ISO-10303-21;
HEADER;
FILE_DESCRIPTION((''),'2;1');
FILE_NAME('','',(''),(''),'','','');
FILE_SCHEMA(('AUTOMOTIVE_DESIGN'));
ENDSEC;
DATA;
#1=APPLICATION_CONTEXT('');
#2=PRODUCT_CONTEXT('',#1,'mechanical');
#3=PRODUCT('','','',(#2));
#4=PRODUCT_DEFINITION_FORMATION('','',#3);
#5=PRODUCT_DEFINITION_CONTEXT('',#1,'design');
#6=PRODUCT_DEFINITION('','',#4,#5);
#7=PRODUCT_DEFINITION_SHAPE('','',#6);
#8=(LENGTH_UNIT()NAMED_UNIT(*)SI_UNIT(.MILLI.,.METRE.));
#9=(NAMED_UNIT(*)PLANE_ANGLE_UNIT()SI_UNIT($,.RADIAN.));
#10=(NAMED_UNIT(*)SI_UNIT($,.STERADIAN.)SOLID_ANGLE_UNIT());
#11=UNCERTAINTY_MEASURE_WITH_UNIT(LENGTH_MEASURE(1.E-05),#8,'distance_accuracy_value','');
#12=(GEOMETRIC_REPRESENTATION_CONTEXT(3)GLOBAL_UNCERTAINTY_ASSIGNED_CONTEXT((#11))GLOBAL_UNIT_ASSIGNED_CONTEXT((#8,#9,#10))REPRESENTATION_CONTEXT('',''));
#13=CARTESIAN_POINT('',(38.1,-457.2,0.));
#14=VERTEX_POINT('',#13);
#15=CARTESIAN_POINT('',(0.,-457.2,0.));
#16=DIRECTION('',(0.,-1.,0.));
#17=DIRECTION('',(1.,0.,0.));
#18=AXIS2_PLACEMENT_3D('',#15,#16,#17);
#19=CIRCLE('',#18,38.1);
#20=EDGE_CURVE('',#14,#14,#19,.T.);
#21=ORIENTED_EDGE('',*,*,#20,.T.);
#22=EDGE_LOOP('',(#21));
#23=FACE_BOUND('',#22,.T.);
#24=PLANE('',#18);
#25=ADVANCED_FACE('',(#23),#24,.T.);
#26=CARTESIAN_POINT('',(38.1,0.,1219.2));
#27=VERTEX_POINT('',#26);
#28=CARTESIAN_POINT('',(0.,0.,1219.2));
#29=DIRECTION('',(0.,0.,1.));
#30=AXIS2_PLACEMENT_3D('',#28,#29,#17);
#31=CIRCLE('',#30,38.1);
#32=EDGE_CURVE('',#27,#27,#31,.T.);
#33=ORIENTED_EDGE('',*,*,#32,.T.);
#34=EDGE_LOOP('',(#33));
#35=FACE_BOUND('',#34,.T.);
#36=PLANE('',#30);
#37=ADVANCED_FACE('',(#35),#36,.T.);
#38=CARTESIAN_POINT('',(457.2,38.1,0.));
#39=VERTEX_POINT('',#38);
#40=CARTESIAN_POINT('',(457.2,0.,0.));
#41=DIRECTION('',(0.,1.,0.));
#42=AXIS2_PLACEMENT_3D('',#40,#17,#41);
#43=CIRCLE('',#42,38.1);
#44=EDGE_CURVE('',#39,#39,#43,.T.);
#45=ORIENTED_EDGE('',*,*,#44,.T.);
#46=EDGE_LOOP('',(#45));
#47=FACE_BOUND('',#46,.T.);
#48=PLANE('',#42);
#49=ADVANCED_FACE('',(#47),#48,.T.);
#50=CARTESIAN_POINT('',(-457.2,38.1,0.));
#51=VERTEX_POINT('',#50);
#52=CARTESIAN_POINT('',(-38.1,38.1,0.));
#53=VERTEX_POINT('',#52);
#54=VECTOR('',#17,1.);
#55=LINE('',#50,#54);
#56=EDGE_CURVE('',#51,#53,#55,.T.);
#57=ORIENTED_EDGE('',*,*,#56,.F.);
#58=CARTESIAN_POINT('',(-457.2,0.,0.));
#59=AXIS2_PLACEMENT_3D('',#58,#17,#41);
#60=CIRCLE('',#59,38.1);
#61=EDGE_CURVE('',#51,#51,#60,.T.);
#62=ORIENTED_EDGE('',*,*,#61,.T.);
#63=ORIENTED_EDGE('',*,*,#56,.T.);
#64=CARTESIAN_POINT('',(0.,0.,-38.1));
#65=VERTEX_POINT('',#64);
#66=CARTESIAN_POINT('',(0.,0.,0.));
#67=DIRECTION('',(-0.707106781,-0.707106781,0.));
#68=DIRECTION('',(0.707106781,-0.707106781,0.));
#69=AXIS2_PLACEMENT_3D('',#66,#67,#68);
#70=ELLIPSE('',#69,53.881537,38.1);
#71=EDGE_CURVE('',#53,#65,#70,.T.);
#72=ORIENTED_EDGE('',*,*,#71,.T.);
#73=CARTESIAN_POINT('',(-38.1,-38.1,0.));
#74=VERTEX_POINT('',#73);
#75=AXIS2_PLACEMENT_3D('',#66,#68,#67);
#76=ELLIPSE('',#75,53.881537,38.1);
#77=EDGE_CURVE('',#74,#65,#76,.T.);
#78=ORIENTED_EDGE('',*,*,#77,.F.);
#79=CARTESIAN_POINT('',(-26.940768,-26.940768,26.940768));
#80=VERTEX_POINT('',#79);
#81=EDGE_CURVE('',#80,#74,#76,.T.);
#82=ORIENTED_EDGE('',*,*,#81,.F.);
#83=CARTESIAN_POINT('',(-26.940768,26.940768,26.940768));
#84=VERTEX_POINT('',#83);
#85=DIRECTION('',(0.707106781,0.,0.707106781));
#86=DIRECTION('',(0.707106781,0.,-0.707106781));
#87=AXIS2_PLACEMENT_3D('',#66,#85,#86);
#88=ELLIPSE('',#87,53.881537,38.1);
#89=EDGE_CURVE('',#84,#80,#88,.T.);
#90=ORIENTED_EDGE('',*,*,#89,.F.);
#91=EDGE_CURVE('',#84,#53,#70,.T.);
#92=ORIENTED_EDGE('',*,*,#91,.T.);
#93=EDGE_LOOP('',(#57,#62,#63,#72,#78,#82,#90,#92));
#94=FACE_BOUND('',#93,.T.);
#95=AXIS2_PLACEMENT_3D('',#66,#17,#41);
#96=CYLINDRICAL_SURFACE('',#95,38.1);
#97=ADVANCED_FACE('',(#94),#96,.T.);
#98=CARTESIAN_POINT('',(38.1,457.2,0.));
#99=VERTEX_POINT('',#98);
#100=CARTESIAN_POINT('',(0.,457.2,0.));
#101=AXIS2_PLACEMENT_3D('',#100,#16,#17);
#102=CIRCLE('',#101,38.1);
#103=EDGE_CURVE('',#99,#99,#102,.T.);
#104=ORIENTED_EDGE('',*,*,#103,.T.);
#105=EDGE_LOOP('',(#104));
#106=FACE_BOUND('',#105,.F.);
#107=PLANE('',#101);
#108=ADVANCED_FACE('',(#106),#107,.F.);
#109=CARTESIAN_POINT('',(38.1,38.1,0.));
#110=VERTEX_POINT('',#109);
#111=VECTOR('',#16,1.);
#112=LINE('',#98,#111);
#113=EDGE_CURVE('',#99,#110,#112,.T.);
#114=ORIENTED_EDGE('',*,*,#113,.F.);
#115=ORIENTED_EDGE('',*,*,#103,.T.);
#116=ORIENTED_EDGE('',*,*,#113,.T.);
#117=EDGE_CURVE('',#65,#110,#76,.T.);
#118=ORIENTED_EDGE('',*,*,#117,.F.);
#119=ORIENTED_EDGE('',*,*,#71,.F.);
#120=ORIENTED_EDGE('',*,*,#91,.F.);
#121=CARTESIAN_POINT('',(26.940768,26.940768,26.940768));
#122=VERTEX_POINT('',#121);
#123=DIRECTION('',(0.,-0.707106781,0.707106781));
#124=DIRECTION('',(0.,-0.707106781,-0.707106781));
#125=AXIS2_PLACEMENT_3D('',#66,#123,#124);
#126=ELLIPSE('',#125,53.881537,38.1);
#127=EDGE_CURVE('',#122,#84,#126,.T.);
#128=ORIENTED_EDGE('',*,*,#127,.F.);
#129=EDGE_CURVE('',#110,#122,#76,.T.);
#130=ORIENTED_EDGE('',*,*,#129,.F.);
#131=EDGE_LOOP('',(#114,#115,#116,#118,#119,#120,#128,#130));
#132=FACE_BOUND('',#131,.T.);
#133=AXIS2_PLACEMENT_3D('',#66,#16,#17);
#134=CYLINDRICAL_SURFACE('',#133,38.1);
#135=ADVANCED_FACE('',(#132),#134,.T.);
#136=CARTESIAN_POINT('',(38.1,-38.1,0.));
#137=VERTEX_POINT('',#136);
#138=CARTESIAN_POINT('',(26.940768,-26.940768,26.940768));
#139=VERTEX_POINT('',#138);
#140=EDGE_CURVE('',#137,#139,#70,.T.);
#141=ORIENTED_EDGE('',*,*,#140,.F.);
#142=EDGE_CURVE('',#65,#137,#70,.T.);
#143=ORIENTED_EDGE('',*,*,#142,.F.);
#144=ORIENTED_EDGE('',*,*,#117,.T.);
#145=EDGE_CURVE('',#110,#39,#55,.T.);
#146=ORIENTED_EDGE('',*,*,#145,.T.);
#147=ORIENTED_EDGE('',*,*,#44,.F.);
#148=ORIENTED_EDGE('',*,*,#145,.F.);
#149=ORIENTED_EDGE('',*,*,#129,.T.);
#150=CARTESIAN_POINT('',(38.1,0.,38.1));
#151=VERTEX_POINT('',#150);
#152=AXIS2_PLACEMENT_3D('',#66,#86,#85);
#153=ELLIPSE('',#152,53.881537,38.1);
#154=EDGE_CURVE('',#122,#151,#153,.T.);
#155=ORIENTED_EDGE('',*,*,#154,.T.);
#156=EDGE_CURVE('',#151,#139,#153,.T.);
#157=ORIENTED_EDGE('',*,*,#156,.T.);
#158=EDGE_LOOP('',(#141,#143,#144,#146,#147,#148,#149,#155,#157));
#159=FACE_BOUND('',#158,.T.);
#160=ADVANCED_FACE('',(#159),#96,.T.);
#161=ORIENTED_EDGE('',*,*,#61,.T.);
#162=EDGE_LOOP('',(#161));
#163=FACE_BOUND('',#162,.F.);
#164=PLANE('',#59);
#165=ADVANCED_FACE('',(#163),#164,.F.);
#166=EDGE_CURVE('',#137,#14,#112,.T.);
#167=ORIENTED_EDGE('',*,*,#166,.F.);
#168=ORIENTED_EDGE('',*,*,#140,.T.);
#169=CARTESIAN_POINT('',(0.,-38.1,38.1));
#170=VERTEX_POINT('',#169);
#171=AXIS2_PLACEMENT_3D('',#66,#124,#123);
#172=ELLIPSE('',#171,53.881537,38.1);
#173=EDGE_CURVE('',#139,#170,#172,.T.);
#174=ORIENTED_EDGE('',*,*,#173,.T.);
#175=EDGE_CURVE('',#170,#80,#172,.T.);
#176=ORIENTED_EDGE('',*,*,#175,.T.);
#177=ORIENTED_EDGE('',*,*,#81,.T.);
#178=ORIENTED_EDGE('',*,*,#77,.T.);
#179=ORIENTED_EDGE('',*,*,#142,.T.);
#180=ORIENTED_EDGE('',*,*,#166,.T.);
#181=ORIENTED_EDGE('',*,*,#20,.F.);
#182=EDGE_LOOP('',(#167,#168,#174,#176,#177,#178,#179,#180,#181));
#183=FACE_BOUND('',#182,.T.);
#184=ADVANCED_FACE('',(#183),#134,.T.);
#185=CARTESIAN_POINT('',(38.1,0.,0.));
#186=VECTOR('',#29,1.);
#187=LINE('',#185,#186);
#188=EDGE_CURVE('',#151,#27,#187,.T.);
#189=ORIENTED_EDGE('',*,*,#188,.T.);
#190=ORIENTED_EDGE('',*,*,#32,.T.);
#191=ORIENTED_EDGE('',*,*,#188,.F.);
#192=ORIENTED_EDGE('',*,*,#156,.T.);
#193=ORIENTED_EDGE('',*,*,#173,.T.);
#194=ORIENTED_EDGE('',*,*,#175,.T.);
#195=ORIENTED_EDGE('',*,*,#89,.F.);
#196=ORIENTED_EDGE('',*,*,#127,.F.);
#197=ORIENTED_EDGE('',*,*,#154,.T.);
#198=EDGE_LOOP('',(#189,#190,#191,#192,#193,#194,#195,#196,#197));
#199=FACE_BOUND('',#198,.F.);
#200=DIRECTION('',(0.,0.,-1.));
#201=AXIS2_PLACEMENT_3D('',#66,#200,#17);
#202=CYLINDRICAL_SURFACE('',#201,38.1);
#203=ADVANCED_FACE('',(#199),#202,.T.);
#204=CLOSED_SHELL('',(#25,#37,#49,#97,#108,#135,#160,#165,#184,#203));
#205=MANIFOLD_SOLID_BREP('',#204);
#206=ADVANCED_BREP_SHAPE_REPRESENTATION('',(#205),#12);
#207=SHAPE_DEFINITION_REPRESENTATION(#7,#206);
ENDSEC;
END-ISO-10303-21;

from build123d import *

# Parameters (mm, degrees)
F0_R     = 38.1
F1_DEPTH = 457.2
F2_R     = 38.1
F3_DEPTH = 457.2
F4_R     = 38.1
F5_DEPTH = 1219.2


with BuildPart() as f1:
    # F0 (on Front) → F1 (new body, symmetric)
    with BuildSketch(Plane.XZ):
        Circle(F0_R)
    extrude(amount=F1_DEPTH, both=True)

    # F2 (on Right) → F3 (join, symmetric)
    with BuildSketch(Plane.YZ):
        Circle(F2_R)
    extrude(amount=F3_DEPTH, both=True)

    # F4 (on Top) → F5 (join)
    with BuildSketch(Plane.XY):
        Circle(F4_R)
    extrude(amount=F5_DEPTH)


solid = f1.part
